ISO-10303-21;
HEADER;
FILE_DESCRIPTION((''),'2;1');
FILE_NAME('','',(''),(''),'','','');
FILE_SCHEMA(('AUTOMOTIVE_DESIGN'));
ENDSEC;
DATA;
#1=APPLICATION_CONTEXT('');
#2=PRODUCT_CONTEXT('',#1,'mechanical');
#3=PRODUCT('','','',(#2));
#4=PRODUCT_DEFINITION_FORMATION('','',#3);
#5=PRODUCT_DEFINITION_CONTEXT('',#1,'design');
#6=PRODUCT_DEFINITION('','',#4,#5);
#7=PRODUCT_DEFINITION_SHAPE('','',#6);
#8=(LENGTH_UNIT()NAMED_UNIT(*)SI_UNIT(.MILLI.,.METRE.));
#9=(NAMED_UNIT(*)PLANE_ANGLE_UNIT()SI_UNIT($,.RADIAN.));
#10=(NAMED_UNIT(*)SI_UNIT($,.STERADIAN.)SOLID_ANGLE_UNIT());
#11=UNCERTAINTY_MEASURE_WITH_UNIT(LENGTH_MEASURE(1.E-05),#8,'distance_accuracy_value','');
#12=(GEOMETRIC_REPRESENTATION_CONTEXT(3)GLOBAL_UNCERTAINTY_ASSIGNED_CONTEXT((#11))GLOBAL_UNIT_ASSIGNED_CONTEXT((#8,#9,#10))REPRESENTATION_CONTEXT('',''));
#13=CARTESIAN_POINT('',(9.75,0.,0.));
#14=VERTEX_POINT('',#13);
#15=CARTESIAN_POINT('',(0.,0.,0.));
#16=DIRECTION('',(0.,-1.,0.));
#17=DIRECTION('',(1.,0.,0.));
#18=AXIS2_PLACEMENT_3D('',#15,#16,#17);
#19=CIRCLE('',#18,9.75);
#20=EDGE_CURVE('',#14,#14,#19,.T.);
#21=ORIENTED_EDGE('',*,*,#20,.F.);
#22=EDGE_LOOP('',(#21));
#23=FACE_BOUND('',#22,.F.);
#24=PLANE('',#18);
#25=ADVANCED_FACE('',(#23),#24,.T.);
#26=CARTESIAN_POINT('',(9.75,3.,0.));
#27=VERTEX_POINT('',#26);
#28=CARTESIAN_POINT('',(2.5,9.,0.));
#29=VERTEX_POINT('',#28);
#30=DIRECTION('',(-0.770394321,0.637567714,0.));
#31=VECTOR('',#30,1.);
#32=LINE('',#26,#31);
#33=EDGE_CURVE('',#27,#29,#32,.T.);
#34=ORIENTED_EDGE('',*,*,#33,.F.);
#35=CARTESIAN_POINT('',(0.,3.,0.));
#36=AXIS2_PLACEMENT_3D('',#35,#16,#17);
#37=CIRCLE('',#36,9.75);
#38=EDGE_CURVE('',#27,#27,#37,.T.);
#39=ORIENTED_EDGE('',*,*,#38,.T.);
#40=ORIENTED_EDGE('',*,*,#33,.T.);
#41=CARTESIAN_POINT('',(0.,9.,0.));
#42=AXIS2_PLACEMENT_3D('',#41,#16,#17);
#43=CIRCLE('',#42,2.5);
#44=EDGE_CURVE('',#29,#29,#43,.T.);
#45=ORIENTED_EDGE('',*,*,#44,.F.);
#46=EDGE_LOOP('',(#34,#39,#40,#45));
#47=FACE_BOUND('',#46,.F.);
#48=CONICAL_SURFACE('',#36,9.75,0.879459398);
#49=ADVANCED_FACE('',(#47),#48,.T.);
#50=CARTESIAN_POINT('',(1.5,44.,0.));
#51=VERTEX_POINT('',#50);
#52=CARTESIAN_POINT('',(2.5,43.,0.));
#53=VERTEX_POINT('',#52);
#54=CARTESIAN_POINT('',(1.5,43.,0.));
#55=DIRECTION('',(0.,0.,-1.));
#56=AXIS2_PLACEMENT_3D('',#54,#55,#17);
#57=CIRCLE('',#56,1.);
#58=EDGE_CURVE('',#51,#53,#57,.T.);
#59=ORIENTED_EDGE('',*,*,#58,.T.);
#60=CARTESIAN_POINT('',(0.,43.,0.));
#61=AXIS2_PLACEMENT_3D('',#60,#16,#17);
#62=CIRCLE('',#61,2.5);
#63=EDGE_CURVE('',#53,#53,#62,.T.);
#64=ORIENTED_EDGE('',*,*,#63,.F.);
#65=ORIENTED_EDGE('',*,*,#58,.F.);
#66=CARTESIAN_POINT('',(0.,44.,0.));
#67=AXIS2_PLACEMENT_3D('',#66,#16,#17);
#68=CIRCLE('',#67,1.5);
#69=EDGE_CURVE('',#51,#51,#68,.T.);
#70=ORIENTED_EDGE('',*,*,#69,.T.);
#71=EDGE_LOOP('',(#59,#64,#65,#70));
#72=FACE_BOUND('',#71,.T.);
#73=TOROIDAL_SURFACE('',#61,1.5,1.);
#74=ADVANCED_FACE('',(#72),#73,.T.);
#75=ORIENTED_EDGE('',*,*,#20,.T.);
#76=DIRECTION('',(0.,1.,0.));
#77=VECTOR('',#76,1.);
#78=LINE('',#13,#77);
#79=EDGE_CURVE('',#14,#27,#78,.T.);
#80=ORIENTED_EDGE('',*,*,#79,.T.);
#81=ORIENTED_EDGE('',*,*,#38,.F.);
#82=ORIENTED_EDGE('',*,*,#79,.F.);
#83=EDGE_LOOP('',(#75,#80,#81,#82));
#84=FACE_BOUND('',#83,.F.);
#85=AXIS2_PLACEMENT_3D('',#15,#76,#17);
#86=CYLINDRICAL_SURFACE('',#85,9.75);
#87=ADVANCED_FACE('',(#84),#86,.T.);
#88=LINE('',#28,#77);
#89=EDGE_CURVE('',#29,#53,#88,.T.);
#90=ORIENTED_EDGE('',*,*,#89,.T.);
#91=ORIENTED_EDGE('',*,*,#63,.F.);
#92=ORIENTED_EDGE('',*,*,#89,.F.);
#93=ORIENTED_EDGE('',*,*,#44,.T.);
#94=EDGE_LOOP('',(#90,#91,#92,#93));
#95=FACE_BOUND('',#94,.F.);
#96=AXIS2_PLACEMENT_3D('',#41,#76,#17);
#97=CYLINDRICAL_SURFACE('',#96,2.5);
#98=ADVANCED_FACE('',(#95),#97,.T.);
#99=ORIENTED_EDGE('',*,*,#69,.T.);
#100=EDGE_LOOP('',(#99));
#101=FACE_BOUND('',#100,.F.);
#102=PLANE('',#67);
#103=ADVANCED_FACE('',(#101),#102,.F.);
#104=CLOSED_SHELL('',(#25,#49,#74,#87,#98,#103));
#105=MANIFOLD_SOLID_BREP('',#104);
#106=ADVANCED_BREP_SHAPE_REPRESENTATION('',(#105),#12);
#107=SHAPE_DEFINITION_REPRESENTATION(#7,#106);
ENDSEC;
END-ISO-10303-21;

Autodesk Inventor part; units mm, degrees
ref_plane "YZ Plane" through (0, 0, 0) normal (1, 0, 0) x (0, 1, 0)
ref_plane "XZ Plane" through (0, 0, 0) normal (0, 1, 0) x (-1, 0, 0)
ref_plane "XY Plane" through (0, 0, 0) normal (0, 0, 1) x (1, 0, 0)
sketch "Esquisse1" plane through (0, 0, 0) normal (0, 0, 1) x (1, 0, 0)
  line L0 (0, 43.5681) -> (0, -28.9477)
  line L1 (0, 0) -> (9.75, 0)
  line L2 (9.75, 0) -> (9.75, 3)
  line L3 (9.75, 3) -> (2.5, 9)
  line L4 (2.5, 9) -> (2.5, 44)
  line L5 (2.5, 44) -> (0, 44)
  line L6 (0, 44) -> (0, 0)
  dimension "d1" = 3
  dimension "d2" = 44
  dimension "d3" = 35
  dimension "d4" = 9.75
  dimension "d5" = 2.5
revolve "Révolution1" add sketch "Esquisse1" angle 360 about axis through (0, 43.5681, 0) along (0, -1, 0)
thread "Filetage1" size "M5x0.8" class "6g" standard "ANSI Metric M Profile" full length
fillet "Congé1" radius 1 1 edges at (-2.5, 44, 0)
properties part number "Pied"
